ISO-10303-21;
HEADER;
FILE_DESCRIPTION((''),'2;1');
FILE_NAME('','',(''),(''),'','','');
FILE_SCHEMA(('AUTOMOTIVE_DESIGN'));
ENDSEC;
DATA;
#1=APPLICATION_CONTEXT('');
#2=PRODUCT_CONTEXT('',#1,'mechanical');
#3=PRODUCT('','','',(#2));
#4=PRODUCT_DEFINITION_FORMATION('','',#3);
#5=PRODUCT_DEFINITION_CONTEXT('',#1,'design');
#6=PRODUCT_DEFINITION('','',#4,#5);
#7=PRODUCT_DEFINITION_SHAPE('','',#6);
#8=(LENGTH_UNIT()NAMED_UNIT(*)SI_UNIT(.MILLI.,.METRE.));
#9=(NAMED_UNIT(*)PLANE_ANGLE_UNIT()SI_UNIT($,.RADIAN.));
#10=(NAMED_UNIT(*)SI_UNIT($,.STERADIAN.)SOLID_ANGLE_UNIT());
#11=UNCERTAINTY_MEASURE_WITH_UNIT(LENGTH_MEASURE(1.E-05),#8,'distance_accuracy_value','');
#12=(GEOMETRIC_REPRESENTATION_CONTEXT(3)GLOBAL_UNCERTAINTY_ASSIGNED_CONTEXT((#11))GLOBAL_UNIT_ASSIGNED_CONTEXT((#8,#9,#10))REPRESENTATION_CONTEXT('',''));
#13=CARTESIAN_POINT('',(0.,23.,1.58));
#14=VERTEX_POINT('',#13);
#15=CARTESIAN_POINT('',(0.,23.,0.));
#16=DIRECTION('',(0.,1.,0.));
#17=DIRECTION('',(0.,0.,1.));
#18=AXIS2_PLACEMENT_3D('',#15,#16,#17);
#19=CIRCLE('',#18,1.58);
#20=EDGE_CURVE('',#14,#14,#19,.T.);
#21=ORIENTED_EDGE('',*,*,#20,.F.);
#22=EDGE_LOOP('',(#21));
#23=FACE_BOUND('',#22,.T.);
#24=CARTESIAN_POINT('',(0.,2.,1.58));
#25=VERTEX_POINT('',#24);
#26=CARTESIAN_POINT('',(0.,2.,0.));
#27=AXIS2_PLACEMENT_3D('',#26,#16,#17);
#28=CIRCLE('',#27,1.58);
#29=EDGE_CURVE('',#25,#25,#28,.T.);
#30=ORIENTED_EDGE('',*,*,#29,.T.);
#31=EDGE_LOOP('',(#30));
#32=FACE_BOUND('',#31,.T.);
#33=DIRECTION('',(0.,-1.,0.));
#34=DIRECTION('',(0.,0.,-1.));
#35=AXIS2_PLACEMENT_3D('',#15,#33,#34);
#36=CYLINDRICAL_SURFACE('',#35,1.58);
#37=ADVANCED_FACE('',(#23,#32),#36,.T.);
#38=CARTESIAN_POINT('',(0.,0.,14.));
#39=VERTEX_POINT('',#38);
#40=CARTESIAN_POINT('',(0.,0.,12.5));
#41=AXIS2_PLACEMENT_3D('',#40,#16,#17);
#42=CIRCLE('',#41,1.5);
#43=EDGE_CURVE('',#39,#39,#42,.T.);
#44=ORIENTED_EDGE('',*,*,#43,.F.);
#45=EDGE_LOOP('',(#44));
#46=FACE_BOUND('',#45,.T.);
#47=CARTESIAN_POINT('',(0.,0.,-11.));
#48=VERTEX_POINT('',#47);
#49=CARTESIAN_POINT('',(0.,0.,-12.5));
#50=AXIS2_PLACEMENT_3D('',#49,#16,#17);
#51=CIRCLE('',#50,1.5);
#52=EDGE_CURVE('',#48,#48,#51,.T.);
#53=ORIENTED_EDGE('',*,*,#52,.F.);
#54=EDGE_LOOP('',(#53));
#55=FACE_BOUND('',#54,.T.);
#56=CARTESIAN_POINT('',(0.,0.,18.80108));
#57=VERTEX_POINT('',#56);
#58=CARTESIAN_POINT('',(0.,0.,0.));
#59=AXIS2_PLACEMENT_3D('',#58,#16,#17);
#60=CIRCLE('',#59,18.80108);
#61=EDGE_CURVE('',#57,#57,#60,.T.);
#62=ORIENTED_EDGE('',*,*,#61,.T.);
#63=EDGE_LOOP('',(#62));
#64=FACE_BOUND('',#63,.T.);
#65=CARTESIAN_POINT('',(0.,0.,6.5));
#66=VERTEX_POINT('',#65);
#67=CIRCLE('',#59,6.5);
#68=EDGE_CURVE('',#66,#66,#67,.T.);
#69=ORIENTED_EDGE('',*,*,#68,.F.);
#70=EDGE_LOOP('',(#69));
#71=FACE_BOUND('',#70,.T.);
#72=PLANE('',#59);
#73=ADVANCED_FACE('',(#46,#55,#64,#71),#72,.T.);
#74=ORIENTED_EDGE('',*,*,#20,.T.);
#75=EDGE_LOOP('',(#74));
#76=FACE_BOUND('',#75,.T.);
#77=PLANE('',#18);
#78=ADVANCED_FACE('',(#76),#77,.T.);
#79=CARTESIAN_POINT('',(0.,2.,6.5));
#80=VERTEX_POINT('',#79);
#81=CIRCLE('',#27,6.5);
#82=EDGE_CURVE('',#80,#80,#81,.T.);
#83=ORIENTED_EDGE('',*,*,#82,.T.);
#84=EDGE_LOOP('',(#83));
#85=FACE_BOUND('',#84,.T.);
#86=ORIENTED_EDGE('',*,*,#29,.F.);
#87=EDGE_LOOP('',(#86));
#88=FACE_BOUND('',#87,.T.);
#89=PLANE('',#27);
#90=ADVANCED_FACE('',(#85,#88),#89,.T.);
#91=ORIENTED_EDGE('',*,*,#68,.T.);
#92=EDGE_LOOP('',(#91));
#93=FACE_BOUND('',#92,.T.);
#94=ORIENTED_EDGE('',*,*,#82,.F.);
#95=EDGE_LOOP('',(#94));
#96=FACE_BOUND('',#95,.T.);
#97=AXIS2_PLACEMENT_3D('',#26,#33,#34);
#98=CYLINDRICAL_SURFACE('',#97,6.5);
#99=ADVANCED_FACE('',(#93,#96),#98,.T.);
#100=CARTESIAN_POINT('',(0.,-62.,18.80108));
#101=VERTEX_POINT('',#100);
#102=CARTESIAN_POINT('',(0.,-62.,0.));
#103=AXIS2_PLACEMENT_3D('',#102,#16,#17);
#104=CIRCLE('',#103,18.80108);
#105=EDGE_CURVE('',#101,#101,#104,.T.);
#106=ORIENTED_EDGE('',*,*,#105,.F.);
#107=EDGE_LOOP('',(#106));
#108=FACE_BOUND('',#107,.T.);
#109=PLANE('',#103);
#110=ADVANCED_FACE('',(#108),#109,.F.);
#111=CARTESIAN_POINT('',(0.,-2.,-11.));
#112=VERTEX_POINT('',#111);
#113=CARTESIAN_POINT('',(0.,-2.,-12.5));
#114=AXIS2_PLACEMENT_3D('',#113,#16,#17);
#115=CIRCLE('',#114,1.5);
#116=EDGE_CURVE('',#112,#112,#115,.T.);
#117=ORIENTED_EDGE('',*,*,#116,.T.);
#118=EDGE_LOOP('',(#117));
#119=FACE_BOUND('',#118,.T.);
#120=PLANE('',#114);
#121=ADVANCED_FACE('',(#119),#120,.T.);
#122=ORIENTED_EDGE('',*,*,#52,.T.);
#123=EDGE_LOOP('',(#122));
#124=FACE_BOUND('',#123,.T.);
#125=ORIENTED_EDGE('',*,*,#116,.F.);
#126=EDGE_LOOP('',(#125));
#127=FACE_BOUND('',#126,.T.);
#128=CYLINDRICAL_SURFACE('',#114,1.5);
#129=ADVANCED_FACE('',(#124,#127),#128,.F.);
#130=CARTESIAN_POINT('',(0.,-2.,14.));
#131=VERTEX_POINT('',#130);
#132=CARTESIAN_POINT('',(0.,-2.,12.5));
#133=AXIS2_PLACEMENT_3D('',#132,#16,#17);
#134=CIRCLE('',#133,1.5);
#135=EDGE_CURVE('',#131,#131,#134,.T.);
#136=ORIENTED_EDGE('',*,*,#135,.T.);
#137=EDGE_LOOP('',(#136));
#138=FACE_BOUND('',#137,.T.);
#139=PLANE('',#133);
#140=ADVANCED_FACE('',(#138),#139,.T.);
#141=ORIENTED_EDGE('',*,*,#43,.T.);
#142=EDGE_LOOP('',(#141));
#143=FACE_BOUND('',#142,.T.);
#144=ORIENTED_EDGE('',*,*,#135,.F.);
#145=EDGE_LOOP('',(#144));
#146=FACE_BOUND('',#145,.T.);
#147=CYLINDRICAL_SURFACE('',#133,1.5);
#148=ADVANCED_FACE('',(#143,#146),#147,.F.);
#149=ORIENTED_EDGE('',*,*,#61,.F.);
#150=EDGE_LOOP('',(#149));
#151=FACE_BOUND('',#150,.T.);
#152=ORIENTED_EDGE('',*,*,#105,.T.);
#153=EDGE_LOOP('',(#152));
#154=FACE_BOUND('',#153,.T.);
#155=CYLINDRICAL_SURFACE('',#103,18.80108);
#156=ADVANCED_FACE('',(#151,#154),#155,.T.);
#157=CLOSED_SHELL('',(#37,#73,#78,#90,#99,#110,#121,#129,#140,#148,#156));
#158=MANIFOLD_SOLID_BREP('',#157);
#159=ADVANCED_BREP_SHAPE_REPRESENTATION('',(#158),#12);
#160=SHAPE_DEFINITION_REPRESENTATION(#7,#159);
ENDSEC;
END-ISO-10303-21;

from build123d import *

# Parameters (mm, degrees)
SKETCH1_R           = 18.80108
BOSS_EXTRUDE1_DEPTH = 62
SKETCH2_R           = 1.58
BOSS_EXTRUDE2_DEPTH = 23
SKETCH3_R           = 1.5
CUT_EXTRUDE1_DEPTH  = 2
SKETCH4_R           = 6.5
BOSS_EXTRUDE3_DEPTH = 2


with BuildPart() as part:
    # Sketch1 → Boss-Extrude1 (new body)
    with BuildSketch(Plane(origin=(0, 0, 0), x_dir=(1, 0, 0), z_dir=(0, 1, 0))):
        with Locations(Location((0, 0, 0), (0, 0, 270))):
            Circle(SKETCH1_R)
    extrude(amount=-BOSS_EXTRUDE1_DEPTH)

    # Sketch2 → Boss-Extrude2 (add)
    with BuildSketch(Plane(origin=(0, 0, 0), x_dir=(1, 0, 0), z_dir=(0, 1, 0))):
        with Locations(Location((0, 0, 0), (0, 0, 270))):
            Circle(SKETCH2_R)
    extrude(amount=BOSS_EXTRUDE2_DEPTH)

    # Sketch3 → Cut-Extrude1 (cut)
    with BuildSketch(Plane(origin=(0, 0, 0), x_dir=(1, 0, 0), z_dir=(0, 1, 0))):
        with Locations(Location((0, 12.5, 0), (0, 0, 270))):
            Circle(SKETCH3_R)
        with Locations(Location((0, -12.5, 0), (0, 0, 270))):
            Circle(SKETCH3_R)
    extrude(amount=-CUT_EXTRUDE1_DEPTH, mode=Mode.SUBTRACT)

    # Sketch4 → Boss-Extrude3 (add)
    with BuildSketch(Plane(origin=(0, 0, 0), x_dir=(1, 0, 0), z_dir=(0, 1, 0))):
        with Locations(Location((0, 0, 0), (0, 0, 270))):
            Circle(SKETCH4_R)
    extrude(amount=BOSS_EXTRUDE3_DEPTH)


solid = part.part
